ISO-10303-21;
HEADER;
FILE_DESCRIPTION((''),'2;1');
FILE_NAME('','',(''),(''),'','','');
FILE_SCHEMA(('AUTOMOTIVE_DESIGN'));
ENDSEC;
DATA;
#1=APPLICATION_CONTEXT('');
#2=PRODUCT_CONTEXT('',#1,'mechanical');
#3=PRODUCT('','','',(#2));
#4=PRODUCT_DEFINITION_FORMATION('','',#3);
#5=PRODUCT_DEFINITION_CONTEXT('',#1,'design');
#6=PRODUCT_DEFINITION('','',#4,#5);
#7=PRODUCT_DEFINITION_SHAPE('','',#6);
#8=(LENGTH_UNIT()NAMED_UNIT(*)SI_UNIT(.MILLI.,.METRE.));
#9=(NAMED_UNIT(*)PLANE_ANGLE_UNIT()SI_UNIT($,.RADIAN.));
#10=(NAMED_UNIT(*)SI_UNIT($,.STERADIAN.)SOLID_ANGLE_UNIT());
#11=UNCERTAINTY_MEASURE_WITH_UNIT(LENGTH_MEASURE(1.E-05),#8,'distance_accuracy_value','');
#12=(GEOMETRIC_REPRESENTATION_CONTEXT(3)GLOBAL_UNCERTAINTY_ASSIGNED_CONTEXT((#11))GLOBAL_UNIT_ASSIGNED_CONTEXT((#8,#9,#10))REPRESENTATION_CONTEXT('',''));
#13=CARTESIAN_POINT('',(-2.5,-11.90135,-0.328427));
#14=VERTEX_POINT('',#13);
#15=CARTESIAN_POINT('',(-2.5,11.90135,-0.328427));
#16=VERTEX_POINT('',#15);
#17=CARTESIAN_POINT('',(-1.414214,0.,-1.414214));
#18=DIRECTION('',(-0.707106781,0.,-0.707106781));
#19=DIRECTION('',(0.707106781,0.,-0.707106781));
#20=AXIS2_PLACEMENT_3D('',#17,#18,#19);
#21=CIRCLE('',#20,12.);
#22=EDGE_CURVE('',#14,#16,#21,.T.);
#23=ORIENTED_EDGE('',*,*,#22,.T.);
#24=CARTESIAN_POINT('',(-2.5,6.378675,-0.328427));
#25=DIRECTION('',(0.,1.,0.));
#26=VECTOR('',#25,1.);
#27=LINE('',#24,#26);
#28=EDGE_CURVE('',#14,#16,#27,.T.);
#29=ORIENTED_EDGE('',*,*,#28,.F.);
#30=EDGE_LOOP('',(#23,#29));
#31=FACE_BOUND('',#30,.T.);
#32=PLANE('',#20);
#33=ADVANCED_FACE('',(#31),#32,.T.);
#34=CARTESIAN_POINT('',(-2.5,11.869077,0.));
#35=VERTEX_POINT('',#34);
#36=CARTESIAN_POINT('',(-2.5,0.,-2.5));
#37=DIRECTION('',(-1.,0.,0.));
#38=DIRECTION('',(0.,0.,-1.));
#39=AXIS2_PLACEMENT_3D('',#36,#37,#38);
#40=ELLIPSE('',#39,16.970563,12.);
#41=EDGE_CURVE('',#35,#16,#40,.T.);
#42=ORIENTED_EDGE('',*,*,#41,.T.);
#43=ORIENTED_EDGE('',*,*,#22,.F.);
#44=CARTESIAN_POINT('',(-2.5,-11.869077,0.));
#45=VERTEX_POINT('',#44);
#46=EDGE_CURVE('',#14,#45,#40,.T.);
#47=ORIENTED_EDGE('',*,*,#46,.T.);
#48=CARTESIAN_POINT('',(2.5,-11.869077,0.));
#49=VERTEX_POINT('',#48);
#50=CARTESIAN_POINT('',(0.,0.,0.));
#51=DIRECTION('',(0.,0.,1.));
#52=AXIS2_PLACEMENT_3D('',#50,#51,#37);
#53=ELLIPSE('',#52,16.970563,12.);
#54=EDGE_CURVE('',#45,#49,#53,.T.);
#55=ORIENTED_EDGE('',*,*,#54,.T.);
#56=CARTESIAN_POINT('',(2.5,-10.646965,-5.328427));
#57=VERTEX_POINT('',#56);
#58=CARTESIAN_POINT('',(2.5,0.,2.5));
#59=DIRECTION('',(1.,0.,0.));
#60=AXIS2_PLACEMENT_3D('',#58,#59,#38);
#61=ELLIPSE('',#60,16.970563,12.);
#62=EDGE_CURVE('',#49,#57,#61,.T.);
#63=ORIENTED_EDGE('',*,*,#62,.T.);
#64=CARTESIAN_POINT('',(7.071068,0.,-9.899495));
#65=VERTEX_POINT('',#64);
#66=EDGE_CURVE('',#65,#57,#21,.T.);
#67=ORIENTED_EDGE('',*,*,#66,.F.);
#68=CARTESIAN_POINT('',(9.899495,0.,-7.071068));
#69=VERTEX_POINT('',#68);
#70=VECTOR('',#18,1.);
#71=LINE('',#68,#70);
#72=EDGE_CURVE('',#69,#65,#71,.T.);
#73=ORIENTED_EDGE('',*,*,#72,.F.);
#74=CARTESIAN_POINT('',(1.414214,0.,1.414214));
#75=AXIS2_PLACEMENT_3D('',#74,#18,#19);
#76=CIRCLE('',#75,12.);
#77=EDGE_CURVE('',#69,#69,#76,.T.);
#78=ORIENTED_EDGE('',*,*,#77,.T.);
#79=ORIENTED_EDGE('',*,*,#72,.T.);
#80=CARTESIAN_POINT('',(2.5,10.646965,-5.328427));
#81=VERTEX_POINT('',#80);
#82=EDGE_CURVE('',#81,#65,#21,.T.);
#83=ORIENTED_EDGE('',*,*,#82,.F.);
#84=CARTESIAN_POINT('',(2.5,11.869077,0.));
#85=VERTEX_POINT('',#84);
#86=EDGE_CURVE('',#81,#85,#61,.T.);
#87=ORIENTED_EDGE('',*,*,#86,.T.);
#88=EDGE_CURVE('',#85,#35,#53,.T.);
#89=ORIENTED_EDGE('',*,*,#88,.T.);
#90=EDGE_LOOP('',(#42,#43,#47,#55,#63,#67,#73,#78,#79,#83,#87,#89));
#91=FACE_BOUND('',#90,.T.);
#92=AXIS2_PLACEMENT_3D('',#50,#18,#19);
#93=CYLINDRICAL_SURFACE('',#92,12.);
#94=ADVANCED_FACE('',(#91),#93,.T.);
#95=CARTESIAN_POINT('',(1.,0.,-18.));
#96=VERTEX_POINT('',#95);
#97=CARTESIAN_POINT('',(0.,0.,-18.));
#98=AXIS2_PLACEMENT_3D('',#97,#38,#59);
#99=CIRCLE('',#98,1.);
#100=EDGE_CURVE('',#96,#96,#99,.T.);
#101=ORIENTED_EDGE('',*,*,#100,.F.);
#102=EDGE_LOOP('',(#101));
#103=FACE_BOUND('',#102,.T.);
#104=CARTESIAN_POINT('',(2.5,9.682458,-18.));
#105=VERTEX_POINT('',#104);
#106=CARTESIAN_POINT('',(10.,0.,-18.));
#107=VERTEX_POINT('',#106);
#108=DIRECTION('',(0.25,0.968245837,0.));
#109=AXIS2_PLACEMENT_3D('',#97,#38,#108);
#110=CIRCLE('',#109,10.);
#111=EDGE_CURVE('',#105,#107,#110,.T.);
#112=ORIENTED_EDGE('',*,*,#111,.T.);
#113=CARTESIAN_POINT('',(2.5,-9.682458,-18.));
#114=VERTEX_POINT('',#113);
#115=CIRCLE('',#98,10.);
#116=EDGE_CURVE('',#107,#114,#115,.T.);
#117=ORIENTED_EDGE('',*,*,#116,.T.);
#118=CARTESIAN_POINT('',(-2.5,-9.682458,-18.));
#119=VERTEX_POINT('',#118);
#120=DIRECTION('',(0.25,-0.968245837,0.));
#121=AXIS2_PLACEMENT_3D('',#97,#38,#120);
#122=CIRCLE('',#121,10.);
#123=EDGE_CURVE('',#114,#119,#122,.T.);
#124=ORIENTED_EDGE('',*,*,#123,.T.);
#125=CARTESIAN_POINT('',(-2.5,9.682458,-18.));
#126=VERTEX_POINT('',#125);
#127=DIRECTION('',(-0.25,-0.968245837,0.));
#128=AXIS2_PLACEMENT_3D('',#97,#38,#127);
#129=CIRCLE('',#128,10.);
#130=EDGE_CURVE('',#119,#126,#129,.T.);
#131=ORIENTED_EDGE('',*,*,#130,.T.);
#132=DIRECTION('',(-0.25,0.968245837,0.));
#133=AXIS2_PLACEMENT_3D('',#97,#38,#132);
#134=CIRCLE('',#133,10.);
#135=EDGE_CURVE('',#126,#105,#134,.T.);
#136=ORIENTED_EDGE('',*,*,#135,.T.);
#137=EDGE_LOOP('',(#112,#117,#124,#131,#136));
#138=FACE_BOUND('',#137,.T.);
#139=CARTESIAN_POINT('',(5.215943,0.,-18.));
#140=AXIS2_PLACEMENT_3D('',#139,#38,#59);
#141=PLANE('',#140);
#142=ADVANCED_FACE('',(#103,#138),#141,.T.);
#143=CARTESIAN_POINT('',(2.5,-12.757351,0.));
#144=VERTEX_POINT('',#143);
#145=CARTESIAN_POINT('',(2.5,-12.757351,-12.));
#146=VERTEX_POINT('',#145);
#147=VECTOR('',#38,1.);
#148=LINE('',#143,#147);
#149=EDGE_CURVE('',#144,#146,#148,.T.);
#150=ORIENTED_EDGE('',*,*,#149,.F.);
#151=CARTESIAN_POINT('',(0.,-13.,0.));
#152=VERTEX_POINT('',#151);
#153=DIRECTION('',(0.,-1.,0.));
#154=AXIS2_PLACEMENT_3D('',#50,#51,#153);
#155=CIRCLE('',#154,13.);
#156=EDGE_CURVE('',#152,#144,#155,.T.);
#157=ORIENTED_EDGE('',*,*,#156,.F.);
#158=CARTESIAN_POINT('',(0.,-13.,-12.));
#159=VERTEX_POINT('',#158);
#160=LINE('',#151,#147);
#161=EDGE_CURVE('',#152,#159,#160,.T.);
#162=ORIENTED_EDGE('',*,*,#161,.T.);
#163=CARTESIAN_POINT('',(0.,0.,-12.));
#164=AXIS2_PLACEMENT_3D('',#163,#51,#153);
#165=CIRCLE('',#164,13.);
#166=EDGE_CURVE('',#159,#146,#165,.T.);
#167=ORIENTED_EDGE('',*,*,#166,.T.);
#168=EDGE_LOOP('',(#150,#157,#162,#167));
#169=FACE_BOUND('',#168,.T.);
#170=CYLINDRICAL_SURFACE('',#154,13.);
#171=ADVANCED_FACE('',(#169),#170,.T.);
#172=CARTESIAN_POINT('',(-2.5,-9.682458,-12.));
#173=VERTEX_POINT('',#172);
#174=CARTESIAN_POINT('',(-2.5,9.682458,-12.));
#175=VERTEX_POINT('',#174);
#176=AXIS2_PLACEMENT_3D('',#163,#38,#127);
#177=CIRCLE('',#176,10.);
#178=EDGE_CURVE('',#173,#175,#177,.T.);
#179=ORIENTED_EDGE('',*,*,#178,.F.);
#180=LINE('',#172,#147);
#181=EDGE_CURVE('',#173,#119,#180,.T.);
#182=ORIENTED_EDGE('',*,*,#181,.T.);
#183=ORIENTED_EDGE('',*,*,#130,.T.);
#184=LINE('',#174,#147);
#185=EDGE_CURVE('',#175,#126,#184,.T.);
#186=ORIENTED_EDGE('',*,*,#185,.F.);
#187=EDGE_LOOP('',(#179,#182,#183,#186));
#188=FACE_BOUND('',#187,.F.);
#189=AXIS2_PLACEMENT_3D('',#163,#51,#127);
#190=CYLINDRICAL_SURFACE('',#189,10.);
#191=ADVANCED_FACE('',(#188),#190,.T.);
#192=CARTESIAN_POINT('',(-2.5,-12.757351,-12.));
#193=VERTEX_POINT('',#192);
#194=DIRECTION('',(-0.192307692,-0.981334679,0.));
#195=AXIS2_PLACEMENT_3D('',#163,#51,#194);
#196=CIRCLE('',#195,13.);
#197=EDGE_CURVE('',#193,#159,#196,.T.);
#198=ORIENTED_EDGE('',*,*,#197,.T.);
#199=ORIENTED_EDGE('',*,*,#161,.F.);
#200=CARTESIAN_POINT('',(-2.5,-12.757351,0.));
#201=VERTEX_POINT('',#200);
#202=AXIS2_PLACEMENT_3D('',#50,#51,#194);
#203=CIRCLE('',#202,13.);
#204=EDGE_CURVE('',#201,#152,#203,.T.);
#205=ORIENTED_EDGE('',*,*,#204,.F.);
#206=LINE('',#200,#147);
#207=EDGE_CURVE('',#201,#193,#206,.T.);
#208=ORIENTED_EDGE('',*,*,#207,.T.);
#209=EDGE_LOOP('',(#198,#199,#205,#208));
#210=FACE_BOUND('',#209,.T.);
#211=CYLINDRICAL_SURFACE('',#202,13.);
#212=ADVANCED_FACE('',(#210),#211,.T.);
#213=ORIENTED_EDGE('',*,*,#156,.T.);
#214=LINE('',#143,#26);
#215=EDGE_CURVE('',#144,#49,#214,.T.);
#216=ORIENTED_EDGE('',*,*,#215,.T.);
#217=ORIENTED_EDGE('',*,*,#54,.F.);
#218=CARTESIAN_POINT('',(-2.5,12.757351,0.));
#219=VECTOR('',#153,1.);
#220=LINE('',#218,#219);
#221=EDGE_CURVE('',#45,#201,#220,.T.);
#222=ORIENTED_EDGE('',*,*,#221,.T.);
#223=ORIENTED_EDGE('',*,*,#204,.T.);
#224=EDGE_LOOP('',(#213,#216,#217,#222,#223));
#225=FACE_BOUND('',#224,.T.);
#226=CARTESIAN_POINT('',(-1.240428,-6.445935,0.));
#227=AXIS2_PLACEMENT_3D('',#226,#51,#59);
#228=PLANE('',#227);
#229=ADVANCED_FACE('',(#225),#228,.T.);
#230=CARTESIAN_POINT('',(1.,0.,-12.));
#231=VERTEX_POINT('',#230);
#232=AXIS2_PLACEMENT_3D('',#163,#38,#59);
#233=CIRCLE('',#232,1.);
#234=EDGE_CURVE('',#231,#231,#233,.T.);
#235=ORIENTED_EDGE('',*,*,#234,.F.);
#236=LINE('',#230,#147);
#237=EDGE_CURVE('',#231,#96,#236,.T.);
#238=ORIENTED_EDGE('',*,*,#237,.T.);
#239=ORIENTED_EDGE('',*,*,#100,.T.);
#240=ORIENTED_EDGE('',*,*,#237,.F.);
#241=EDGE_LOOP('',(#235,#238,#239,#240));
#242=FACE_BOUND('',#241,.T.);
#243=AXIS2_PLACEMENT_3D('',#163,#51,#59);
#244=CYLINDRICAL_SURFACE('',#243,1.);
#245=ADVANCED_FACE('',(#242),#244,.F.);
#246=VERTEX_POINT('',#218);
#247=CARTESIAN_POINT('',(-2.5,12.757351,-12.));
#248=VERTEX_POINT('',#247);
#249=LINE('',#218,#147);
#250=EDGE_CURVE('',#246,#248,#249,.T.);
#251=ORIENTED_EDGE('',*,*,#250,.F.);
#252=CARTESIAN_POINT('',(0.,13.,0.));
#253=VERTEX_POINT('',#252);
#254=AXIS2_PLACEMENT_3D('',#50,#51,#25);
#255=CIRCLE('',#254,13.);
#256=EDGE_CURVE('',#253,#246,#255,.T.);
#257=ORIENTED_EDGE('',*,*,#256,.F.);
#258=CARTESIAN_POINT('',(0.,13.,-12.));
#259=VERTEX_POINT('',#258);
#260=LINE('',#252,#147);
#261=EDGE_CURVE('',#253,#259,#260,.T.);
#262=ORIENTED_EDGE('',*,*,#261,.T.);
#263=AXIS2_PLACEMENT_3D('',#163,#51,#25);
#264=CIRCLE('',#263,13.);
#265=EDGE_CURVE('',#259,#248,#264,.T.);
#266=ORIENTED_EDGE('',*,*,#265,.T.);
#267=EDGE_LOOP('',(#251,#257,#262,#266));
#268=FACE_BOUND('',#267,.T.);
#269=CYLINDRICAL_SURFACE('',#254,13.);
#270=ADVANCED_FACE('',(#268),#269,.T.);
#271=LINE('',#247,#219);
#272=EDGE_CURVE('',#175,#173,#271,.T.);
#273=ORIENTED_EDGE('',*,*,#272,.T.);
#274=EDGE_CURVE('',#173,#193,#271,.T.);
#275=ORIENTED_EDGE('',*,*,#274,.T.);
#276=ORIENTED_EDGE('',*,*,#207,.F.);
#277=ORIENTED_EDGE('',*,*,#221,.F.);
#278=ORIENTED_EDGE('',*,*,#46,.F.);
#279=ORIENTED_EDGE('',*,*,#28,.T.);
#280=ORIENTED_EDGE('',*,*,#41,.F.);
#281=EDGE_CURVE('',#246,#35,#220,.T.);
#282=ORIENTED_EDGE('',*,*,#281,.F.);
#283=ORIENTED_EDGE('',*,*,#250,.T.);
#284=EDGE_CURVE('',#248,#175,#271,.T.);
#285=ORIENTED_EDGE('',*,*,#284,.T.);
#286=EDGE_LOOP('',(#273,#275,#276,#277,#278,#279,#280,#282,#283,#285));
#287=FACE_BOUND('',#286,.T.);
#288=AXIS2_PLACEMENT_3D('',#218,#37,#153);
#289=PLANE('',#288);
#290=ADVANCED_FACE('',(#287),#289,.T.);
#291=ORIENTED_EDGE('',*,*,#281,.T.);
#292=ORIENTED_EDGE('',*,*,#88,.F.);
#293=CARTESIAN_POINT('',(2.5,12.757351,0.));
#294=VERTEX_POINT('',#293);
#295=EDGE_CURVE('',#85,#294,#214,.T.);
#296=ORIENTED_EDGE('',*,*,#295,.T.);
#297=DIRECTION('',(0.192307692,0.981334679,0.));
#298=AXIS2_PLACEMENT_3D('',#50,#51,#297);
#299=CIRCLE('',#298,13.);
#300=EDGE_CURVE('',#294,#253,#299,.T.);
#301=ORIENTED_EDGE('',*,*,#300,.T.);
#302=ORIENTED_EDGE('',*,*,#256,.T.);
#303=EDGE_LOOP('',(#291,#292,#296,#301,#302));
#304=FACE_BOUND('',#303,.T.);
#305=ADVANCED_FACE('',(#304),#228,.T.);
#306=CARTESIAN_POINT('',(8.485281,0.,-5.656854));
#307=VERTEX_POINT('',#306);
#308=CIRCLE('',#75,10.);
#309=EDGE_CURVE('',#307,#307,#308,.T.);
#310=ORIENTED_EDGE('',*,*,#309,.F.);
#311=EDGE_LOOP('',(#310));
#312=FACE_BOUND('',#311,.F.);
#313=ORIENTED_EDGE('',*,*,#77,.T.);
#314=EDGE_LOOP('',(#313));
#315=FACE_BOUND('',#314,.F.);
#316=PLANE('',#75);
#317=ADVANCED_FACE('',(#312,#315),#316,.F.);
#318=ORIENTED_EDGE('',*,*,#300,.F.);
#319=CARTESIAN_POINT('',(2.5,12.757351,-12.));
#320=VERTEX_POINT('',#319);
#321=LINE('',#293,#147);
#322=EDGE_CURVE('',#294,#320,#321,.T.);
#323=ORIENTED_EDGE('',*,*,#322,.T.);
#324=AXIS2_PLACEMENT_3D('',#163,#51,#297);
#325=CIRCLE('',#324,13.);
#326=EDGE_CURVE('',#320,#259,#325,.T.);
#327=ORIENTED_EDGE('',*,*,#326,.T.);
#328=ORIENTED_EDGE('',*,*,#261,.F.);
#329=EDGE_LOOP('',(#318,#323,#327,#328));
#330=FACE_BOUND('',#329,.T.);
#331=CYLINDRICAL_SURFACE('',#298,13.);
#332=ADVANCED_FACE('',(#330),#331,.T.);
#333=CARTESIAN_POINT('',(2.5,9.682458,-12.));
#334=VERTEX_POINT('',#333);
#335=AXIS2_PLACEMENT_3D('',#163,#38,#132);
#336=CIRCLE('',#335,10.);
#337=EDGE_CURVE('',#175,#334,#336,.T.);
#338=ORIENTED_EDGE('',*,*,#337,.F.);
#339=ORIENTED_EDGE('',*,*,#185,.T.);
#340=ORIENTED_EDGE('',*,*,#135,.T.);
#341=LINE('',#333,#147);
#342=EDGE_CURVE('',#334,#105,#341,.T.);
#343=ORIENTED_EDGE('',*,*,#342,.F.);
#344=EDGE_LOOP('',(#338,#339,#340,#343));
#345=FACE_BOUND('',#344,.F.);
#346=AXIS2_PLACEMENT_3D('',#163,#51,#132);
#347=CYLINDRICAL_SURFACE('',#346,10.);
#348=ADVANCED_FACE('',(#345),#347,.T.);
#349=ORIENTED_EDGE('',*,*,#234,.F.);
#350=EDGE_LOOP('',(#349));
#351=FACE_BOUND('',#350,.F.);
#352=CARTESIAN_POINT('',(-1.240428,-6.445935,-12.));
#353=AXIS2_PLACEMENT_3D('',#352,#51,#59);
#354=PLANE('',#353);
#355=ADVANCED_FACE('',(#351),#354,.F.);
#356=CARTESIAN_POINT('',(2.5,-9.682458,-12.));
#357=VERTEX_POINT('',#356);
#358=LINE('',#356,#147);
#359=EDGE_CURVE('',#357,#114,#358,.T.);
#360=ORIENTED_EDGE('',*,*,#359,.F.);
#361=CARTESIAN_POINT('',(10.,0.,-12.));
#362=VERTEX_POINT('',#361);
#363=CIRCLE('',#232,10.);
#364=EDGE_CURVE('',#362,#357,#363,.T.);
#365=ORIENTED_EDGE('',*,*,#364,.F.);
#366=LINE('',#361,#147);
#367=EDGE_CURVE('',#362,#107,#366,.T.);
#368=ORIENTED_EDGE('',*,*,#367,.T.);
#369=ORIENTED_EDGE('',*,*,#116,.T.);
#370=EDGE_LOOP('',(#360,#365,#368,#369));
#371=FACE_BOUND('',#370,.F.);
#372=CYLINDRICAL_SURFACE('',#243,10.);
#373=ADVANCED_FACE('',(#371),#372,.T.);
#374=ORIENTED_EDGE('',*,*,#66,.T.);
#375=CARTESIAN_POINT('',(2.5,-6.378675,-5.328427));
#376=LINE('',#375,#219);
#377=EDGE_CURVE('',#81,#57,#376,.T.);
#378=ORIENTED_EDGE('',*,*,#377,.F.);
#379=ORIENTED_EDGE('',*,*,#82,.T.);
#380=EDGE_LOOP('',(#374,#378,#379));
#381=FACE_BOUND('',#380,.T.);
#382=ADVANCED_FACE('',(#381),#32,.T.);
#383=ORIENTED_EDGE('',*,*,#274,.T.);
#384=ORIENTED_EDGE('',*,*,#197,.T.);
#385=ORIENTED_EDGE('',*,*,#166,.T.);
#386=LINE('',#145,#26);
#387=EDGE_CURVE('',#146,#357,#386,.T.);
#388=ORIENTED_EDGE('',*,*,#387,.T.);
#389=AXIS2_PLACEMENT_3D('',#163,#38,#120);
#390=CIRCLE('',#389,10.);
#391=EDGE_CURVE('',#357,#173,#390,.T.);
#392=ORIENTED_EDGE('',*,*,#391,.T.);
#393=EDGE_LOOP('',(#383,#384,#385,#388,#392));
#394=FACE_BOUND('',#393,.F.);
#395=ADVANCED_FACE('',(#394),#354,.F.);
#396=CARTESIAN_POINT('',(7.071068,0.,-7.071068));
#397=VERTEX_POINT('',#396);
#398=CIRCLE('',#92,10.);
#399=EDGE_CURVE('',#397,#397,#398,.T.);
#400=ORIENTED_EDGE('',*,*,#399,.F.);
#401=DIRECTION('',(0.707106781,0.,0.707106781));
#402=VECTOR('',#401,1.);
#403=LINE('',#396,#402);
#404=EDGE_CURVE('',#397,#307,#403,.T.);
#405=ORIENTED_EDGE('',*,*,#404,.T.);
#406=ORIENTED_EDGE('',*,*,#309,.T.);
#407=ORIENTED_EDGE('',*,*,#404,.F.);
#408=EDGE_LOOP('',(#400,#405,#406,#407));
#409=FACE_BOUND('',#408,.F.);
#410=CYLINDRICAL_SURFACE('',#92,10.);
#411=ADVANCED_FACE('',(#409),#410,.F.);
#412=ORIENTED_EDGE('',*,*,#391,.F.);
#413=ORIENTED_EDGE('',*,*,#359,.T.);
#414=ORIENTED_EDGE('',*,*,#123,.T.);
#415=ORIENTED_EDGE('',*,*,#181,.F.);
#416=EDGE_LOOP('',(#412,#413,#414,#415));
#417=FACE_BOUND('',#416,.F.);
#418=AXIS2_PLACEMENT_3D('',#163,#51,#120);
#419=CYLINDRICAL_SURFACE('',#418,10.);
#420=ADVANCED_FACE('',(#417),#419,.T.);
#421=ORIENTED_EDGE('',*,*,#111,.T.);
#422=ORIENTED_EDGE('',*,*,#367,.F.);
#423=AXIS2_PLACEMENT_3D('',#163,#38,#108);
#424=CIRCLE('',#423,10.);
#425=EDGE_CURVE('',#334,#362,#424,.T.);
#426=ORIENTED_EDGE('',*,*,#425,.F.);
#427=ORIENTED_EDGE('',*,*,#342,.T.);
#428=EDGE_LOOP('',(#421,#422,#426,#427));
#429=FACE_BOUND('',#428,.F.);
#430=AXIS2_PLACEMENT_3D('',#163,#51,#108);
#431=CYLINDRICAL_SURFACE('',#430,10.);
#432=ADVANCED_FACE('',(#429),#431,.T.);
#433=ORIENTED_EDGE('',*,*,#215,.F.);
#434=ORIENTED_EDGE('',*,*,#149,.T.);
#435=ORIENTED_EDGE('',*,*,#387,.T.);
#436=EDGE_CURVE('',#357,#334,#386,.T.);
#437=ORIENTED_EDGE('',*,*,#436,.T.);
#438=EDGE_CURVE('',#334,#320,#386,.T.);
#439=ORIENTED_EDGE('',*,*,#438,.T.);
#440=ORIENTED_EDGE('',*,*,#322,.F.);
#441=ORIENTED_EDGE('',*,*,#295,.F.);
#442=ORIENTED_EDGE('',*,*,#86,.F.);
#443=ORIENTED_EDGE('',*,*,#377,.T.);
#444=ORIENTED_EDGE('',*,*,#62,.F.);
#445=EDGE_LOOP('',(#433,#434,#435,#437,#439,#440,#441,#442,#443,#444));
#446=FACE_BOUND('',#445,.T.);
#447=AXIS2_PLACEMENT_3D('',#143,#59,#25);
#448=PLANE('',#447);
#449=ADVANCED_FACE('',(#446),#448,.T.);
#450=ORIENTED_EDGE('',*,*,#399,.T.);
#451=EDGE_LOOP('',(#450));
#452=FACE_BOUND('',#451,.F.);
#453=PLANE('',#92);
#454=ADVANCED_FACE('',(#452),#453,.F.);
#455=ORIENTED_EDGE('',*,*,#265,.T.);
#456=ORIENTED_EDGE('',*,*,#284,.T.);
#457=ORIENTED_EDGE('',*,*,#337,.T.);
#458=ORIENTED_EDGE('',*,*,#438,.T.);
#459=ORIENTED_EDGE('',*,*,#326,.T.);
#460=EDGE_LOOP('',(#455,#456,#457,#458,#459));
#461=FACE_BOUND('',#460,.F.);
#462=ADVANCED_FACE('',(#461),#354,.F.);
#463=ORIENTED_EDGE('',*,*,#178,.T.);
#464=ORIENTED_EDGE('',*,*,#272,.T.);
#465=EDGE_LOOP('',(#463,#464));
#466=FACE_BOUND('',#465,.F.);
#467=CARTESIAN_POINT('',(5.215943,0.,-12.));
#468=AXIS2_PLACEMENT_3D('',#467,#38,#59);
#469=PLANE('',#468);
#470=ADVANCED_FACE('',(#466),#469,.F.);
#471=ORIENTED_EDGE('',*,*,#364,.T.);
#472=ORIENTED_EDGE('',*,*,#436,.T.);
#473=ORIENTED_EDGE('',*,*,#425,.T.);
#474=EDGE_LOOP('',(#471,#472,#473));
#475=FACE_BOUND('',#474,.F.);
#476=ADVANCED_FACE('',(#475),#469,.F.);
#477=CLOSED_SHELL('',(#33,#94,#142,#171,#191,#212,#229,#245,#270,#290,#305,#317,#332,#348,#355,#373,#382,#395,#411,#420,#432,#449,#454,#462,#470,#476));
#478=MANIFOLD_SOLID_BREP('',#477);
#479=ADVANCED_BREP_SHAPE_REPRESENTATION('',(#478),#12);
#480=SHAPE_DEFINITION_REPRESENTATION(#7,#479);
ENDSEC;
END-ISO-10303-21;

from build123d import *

# Parameters (mm, degrees)
F3_R     = 12
F3_R_2   = 10
F4_DEPTH = 2
F5_DEPTH = 12
F6_R     = 1
F7_DEPTH = 6
F8_DEPTH = 2


with BuildPart() as f4:
    # F3 (on 3pt) → F4 (new body, symmetric)
    with BuildSketch(Plane(origin=(0, 0, 0), x_dir=(0.7071067812, 0, -0.7071067812), z_dir=(-0.7071067812, 0, -0.7071067812))):
        Circle(F3_R)
        Circle(F3_R_2, mode=Mode.SUBTRACT)
        Circle(F3_R_2)
    extrude(amount=F4_DEPTH, both=True)

    # F0 (on Top) → F5 (join)
    with BuildSketch(Plane.XY):
        with BuildLine():
            ThreePointArc((-2.5, -12.7573508222), (-1.2558740605, -12.9391955061), (0, -13))
            Line((0, -13), (0, 0))
            Line((0, 0), (-2.5, 0))
            Line((-2.5, 0), (-2.5, -12.7573508222))
        make_face()
        with BuildLine():
            Line((0, 0), (0, 13))
            ThreePointArc((0, 13), (-1.2558740605, 12.9391955061), (-2.5, 12.7573508222))
            Line((-2.5, 12.7573508222), (-2.5, 0))
            Line((-2.5, 0), (0, 0))
        make_face()
        with BuildLine():
            Line((2.5, 0), (2.5, 12.7573508222))
            ThreePointArc((2.5, 12.7573508222), (1.2558740605, 12.9391955061), (0, 13))
            Line((0, 13), (0, 0))
            Line((0, 0), (2.5, 0))
        make_face()
        with BuildLine():
            ThreePointArc((0, -13), (1.2558740605, -12.9391955061), (2.5, -12.7573508222))
            Line((2.5, -12.7573508222), (2.5, 0))
            Line((2.5, 0), (0, 0))
            Line((0, 0), (0, -13))
        make_face()
    extrude(amount=-F5_DEPTH)

    # F6 (on face) → F7 (join)
    with BuildSketch(Plane(origin=(0, 0, -12), x_dir=(1, 0, 0), z_dir=(0, 0, -1))):
        with BuildLine():
            ThreePointArc((2.5, -9.6824583655), (7.9056941504, -6.123724357), (10, 0))
            ThreePointArc((10, 0), (7.9056941504, 6.123724357), (2.5, 9.6824583655))
            Line((2.5, 9.6824583655), (2.5, -9.6824583655))
        make_face()
        with BuildLine():
            Line((-2.5, -9.6824583655), (-2.5, 9.6824583655))
            ThreePointArc((-2.5, 9.6824583655), (-10, 0), (-2.5, -9.6824583655))
        make_face()
        with BuildLine():
            Line((2.5, -9.6824583655), (2.5, 9.6824583655))
            ThreePointArc((2.5, 9.6824583655), (0, 10), (-2.5, 9.6824583655))
            Line((-2.5, 9.6824583655), (-2.5, -9.6824583655))
            ThreePointArc((-2.5, -9.6824583655), (0, -10), (2.5, -9.6824583655))
        make_face()
        Circle(F6_R, mode=Mode.SUBTRACT)
    extrude(amount=F7_DEPTH)

    # F3 (on 3pt) → F8 (cut)
    with BuildSketch(Plane(origin=(0, 0, 0), x_dir=(0.7071067812, 0, -0.7071067812), z_dir=(-0.7071067812, 0, -0.7071067812))):
        Circle(F3_R_2)
    extrude(amount=-F8_DEPTH, mode=Mode.SUBTRACT)


solid = f4.part
